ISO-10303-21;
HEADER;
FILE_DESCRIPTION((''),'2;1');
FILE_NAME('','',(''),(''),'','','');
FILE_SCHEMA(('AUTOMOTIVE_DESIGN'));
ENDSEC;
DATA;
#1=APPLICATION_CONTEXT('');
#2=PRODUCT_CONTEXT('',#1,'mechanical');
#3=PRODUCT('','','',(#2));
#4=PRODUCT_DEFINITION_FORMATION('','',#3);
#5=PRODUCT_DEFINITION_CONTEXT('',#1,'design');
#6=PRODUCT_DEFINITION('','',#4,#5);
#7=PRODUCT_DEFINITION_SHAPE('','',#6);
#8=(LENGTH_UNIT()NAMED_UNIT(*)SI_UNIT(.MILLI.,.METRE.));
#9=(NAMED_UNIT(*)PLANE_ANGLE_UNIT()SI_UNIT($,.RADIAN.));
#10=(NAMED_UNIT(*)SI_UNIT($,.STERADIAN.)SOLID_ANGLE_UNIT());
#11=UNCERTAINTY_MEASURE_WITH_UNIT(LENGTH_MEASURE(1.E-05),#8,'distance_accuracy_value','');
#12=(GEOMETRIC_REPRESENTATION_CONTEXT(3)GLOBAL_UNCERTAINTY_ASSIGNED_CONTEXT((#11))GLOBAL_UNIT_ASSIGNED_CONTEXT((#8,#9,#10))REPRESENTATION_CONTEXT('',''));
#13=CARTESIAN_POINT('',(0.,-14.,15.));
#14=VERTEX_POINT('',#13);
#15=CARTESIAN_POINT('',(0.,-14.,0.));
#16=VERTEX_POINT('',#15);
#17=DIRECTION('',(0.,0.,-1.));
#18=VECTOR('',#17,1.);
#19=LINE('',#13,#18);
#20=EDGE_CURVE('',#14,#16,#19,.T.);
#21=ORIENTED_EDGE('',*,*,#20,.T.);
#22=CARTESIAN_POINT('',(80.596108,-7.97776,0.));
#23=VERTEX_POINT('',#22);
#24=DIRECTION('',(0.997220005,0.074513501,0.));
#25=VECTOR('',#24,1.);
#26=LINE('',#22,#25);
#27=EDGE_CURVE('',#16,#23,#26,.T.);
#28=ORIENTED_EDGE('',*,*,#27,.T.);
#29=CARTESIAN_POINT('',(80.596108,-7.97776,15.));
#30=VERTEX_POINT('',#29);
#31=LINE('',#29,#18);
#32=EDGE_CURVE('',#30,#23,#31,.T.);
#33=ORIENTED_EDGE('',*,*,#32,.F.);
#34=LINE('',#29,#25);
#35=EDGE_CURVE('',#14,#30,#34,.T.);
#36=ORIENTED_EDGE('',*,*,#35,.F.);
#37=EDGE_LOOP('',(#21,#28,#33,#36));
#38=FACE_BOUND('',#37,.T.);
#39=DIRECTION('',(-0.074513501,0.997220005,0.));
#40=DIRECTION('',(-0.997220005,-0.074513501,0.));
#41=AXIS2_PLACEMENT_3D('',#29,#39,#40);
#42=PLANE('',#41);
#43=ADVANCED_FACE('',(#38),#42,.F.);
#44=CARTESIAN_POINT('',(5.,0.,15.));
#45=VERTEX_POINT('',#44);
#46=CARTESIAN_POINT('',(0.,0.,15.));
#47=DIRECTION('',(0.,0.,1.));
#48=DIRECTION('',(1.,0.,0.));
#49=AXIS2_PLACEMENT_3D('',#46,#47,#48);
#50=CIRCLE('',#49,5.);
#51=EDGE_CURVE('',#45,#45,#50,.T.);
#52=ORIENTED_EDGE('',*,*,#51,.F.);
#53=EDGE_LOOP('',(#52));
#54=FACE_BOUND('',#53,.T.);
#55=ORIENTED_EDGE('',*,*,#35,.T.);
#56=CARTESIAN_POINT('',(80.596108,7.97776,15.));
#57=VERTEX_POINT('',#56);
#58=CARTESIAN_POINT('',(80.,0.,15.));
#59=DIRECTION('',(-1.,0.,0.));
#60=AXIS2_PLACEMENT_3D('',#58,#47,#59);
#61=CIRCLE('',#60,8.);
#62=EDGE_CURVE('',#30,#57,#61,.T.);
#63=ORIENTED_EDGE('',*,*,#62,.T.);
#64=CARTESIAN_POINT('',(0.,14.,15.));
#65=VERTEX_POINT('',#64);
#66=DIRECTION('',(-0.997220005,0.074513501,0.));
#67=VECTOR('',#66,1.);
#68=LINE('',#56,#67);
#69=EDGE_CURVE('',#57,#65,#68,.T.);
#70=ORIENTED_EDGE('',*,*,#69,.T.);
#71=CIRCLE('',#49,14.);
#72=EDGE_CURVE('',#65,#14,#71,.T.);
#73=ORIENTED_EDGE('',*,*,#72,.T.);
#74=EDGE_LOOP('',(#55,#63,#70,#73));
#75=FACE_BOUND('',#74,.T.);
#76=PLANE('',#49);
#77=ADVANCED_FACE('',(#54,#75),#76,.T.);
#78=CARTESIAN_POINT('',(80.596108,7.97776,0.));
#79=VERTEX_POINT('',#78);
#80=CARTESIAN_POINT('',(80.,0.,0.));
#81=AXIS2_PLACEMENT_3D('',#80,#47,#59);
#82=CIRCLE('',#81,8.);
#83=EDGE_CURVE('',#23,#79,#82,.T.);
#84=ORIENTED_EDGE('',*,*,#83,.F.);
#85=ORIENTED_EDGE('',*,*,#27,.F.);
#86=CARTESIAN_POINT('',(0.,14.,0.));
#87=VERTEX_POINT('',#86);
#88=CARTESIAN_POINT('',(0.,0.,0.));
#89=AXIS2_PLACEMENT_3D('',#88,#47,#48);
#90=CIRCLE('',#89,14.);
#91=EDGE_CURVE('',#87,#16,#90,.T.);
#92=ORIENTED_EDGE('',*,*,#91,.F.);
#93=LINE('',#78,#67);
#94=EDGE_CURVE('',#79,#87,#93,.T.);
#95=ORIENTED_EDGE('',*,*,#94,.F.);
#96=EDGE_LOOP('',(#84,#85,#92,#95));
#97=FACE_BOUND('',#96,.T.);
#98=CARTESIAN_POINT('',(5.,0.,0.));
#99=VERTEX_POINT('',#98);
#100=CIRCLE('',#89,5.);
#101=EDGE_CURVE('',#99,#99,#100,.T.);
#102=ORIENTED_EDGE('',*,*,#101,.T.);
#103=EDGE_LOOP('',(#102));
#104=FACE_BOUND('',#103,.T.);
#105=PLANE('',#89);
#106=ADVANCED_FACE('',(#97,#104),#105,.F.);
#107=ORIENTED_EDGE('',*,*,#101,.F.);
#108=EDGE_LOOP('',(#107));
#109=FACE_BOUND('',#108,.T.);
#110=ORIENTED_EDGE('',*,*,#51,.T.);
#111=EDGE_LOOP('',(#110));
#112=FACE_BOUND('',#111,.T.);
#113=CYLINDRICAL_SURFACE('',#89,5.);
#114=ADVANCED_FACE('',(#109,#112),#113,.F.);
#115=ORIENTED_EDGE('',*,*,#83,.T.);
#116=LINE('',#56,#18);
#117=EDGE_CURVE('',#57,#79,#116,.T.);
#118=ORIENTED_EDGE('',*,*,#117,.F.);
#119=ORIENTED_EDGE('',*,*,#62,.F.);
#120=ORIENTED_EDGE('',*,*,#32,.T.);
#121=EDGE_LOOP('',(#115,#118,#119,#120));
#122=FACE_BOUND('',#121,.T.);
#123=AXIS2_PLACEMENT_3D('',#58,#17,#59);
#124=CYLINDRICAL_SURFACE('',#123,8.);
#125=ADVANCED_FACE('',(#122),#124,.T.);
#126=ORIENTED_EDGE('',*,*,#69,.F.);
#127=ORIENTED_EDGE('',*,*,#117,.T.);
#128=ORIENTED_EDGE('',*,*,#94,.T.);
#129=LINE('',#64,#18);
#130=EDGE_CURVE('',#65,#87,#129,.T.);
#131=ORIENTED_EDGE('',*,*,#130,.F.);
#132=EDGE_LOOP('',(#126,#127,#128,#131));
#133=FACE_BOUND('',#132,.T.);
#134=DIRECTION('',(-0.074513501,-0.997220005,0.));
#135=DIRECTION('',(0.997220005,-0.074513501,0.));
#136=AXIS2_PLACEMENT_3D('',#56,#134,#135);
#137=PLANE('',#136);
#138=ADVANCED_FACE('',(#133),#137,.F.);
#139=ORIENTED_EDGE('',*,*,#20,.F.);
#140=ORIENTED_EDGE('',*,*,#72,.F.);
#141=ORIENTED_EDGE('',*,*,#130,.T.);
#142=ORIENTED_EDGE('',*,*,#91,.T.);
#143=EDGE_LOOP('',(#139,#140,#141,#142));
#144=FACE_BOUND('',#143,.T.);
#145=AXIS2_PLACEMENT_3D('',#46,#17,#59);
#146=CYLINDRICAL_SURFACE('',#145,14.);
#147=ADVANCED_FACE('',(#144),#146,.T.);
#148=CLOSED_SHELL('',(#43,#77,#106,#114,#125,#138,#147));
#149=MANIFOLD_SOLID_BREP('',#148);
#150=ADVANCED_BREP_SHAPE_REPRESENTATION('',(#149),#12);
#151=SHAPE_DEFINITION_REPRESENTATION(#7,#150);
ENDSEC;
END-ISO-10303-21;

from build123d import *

# Parameters (mm, degrees)
BOSS_EXTRU_1_DEPTH           = 15
ENL_V_MAT_EXTRU_1_DEPTH      = 91.360389552
ENL_V_MAT_EXTRU_1_DEPTH_BACK = 91.360389552
ESQUISSE3_R                  = 5


with BuildPart() as part:
    # Esquisse1 → Boss.-Extru.1 (new body)
    with BuildSketch(Plane.XY):
        with BuildLine():
            Line((80.596108007, 7.977760039), (0, 14))
            ThreePointArc((0, 14), (-14, 0), (0, -14))
            Line((0, -14), (80.596108007, -7.977760039))
            ThreePointArc((80.596108007, -7.977760039), (88, 0), (80.596108007, 7.977760039))
        make_face()
    extrude(amount=BOSS_EXTRU_1_DEPTH)

    # Esquisse3 → Enlèv. mat.-Extru.1 (cut, two sides: drawn at the far end of the back side and taken through both)
    with BuildSketch(Plane.XY.offset(15).offset(-ENL_V_MAT_EXTRU_1_DEPTH_BACK)):
        Circle(ESQUISSE3_R)
    extrude(amount=ENL_V_MAT_EXTRU_1_DEPTH + ENL_V_MAT_EXTRU_1_DEPTH_BACK, mode=Mode.SUBTRACT)


solid = part.part
